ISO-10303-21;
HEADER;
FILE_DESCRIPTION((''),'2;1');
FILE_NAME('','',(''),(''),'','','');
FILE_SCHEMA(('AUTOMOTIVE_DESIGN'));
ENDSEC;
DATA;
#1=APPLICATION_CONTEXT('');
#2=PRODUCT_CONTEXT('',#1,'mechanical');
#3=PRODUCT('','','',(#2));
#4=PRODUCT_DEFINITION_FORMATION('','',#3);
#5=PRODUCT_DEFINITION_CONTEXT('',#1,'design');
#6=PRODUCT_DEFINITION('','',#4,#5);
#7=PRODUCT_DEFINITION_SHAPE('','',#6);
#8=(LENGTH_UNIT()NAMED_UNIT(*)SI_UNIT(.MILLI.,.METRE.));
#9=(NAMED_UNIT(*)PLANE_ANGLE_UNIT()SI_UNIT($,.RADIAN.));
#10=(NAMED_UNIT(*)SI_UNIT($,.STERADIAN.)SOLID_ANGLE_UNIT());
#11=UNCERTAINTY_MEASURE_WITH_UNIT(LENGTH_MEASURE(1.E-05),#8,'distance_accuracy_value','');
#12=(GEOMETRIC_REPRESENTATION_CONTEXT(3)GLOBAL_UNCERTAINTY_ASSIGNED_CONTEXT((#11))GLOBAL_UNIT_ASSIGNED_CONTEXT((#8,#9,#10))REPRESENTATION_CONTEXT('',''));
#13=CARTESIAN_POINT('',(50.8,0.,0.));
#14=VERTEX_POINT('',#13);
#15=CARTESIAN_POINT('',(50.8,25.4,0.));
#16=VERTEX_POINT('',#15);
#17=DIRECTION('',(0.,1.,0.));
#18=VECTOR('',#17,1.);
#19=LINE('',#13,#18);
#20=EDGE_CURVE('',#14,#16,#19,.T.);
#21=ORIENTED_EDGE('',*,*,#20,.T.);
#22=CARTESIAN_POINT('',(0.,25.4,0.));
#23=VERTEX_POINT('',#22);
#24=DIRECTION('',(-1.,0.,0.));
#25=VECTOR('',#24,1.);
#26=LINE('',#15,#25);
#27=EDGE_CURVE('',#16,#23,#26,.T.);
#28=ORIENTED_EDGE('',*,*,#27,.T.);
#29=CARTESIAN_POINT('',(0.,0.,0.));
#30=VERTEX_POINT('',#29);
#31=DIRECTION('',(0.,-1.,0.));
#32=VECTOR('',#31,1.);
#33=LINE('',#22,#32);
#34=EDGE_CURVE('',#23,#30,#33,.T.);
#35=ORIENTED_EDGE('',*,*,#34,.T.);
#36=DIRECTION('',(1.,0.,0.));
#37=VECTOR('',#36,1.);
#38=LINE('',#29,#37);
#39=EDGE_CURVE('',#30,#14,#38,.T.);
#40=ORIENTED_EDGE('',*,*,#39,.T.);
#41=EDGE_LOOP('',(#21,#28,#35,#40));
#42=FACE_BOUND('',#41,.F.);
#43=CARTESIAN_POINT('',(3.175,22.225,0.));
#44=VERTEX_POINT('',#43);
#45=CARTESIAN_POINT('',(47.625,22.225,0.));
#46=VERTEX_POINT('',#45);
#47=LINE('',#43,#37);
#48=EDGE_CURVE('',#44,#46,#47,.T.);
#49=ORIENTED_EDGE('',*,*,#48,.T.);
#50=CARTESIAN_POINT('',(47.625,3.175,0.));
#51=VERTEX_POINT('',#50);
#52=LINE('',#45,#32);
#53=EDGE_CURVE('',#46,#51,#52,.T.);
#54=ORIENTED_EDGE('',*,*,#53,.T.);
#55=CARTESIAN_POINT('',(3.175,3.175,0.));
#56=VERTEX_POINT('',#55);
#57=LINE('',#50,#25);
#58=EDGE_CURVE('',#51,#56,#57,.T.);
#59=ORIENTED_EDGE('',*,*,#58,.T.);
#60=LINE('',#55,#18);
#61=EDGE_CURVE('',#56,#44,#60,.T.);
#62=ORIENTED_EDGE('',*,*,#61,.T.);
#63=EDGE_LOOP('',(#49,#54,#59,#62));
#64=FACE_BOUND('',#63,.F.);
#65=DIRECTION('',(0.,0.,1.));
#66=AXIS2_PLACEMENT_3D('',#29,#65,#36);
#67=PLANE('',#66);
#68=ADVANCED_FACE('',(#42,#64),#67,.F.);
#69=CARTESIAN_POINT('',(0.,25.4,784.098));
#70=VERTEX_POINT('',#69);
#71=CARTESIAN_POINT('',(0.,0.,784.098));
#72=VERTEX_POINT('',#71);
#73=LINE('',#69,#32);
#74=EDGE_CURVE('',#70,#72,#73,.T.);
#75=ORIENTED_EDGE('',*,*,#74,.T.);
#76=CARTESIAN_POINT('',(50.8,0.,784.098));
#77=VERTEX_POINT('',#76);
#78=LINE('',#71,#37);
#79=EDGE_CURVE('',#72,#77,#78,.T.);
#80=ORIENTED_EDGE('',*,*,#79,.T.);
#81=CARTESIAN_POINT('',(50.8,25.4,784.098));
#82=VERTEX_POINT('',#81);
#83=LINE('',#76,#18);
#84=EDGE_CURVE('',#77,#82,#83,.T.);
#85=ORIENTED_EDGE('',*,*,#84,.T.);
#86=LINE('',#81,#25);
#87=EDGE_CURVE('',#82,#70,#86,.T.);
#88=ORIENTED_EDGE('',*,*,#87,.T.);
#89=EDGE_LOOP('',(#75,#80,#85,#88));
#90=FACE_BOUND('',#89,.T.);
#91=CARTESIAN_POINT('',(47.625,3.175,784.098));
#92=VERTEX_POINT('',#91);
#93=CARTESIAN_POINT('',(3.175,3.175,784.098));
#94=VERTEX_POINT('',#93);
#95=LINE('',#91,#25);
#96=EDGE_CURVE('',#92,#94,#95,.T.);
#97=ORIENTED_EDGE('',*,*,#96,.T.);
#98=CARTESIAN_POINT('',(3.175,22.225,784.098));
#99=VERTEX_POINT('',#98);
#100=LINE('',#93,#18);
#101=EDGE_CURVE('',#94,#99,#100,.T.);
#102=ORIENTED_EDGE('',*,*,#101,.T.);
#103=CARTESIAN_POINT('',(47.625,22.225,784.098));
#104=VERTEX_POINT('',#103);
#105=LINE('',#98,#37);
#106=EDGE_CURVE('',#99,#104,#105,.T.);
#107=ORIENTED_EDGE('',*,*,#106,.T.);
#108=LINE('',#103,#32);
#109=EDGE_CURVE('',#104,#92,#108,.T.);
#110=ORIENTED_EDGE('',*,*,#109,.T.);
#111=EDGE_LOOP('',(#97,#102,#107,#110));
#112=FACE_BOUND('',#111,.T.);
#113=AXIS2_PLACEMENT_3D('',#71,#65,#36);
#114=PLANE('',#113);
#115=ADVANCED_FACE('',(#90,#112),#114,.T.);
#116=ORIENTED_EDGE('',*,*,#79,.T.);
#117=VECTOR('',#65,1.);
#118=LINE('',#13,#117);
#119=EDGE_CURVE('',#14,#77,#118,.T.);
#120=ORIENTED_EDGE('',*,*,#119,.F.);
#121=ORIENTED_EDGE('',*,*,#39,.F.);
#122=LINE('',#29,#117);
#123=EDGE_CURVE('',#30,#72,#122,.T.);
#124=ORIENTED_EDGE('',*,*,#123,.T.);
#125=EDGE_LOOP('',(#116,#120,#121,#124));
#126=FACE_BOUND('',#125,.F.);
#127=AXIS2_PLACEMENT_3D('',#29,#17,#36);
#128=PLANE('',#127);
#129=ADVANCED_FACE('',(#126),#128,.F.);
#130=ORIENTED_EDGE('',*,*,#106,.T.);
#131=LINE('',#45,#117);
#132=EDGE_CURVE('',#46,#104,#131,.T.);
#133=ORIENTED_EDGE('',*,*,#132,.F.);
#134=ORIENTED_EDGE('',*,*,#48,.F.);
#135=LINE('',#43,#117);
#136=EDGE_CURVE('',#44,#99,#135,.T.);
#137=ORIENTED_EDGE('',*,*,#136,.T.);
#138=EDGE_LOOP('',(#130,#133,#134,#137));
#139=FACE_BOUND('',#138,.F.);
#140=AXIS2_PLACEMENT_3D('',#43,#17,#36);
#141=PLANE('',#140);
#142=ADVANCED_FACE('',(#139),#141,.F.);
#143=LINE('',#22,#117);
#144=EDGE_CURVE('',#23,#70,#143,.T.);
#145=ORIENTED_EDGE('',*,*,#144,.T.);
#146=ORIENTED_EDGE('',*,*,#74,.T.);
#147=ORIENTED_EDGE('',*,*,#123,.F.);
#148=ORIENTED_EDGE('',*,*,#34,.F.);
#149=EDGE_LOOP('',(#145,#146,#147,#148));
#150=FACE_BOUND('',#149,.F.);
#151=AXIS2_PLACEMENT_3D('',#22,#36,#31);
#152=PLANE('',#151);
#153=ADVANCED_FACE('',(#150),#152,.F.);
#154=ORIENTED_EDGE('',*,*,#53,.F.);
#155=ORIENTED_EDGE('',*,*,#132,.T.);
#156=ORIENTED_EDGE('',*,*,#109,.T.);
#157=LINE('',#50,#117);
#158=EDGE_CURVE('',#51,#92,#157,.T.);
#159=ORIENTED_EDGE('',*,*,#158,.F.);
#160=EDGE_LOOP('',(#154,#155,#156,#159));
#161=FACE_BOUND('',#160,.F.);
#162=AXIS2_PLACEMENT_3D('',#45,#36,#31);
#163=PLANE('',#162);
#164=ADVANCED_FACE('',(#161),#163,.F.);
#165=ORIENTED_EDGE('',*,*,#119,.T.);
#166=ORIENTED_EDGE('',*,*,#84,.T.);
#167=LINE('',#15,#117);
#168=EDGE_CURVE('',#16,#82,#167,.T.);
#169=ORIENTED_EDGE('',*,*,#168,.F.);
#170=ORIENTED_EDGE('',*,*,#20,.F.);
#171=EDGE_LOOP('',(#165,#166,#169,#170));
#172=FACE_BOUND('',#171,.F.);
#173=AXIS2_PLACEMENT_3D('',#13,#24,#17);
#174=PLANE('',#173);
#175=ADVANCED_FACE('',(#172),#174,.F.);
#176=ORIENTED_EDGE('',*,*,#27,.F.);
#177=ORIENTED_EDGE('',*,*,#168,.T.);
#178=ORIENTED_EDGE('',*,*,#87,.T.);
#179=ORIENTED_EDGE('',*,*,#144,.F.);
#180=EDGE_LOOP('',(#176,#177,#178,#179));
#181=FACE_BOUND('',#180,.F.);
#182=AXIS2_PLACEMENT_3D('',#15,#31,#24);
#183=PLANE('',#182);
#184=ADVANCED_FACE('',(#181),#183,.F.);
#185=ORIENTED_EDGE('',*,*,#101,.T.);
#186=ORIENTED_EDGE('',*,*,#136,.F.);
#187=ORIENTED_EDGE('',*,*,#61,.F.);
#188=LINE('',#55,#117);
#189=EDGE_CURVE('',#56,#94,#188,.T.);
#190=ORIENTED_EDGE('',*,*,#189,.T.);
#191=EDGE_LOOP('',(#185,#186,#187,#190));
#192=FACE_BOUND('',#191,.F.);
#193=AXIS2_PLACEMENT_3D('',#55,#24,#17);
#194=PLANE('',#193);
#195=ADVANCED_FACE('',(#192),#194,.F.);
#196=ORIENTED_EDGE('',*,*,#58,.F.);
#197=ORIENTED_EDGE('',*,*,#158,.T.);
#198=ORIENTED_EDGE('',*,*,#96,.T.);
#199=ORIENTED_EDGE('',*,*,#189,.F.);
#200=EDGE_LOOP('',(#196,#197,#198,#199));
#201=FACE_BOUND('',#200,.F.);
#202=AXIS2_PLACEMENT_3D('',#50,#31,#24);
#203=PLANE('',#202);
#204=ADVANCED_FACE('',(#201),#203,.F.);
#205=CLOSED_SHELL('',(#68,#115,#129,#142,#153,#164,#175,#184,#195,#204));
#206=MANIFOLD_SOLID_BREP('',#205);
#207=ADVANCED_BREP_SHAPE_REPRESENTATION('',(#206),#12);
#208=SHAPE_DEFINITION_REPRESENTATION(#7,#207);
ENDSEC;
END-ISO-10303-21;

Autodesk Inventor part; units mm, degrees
ref_plane "YZ Plane" through (0, 0, 0) normal (1, 0, 0) x (0, 1, 0)
ref_plane "XZ Plane" through (0, 0, 0) normal (0, 1, 0) x (-1, 0, 0)
ref_plane "XY Plane" through (0, 0, 0) normal (0, 0, 1) x (1, 0, 0)
sketch "Sketch1" plane through (0, 0, 0) normal (0, 0, 1) x (1, 0, 0)
  line L0 (0, 0) -> (50.8, 0)
  line L1 (50.8, 0) -> (50.8, 25.4)
  line L2 (50.8, 25.4) -> (0, 25.4)
  line L3 (0, 25.4) -> (0, 0)
  line L4 (3.175, 22.225) -> (47.625, 22.225)
  line L5 (47.625, 22.225) -> (47.625, 3.175)
  line L6 (47.625, 3.175) -> (3.175, 3.175)
  line L7 (3.175, 3.175) -> (3.175, 22.225)
  dimension "d0" = 50.8
  dimension "d1" = 25.4
  dimension "d2" = 3.175
extrude "Extrusion1" add sketch "Sketch1" along normal blind 784.098
properties part number "1x2 30 87in"
